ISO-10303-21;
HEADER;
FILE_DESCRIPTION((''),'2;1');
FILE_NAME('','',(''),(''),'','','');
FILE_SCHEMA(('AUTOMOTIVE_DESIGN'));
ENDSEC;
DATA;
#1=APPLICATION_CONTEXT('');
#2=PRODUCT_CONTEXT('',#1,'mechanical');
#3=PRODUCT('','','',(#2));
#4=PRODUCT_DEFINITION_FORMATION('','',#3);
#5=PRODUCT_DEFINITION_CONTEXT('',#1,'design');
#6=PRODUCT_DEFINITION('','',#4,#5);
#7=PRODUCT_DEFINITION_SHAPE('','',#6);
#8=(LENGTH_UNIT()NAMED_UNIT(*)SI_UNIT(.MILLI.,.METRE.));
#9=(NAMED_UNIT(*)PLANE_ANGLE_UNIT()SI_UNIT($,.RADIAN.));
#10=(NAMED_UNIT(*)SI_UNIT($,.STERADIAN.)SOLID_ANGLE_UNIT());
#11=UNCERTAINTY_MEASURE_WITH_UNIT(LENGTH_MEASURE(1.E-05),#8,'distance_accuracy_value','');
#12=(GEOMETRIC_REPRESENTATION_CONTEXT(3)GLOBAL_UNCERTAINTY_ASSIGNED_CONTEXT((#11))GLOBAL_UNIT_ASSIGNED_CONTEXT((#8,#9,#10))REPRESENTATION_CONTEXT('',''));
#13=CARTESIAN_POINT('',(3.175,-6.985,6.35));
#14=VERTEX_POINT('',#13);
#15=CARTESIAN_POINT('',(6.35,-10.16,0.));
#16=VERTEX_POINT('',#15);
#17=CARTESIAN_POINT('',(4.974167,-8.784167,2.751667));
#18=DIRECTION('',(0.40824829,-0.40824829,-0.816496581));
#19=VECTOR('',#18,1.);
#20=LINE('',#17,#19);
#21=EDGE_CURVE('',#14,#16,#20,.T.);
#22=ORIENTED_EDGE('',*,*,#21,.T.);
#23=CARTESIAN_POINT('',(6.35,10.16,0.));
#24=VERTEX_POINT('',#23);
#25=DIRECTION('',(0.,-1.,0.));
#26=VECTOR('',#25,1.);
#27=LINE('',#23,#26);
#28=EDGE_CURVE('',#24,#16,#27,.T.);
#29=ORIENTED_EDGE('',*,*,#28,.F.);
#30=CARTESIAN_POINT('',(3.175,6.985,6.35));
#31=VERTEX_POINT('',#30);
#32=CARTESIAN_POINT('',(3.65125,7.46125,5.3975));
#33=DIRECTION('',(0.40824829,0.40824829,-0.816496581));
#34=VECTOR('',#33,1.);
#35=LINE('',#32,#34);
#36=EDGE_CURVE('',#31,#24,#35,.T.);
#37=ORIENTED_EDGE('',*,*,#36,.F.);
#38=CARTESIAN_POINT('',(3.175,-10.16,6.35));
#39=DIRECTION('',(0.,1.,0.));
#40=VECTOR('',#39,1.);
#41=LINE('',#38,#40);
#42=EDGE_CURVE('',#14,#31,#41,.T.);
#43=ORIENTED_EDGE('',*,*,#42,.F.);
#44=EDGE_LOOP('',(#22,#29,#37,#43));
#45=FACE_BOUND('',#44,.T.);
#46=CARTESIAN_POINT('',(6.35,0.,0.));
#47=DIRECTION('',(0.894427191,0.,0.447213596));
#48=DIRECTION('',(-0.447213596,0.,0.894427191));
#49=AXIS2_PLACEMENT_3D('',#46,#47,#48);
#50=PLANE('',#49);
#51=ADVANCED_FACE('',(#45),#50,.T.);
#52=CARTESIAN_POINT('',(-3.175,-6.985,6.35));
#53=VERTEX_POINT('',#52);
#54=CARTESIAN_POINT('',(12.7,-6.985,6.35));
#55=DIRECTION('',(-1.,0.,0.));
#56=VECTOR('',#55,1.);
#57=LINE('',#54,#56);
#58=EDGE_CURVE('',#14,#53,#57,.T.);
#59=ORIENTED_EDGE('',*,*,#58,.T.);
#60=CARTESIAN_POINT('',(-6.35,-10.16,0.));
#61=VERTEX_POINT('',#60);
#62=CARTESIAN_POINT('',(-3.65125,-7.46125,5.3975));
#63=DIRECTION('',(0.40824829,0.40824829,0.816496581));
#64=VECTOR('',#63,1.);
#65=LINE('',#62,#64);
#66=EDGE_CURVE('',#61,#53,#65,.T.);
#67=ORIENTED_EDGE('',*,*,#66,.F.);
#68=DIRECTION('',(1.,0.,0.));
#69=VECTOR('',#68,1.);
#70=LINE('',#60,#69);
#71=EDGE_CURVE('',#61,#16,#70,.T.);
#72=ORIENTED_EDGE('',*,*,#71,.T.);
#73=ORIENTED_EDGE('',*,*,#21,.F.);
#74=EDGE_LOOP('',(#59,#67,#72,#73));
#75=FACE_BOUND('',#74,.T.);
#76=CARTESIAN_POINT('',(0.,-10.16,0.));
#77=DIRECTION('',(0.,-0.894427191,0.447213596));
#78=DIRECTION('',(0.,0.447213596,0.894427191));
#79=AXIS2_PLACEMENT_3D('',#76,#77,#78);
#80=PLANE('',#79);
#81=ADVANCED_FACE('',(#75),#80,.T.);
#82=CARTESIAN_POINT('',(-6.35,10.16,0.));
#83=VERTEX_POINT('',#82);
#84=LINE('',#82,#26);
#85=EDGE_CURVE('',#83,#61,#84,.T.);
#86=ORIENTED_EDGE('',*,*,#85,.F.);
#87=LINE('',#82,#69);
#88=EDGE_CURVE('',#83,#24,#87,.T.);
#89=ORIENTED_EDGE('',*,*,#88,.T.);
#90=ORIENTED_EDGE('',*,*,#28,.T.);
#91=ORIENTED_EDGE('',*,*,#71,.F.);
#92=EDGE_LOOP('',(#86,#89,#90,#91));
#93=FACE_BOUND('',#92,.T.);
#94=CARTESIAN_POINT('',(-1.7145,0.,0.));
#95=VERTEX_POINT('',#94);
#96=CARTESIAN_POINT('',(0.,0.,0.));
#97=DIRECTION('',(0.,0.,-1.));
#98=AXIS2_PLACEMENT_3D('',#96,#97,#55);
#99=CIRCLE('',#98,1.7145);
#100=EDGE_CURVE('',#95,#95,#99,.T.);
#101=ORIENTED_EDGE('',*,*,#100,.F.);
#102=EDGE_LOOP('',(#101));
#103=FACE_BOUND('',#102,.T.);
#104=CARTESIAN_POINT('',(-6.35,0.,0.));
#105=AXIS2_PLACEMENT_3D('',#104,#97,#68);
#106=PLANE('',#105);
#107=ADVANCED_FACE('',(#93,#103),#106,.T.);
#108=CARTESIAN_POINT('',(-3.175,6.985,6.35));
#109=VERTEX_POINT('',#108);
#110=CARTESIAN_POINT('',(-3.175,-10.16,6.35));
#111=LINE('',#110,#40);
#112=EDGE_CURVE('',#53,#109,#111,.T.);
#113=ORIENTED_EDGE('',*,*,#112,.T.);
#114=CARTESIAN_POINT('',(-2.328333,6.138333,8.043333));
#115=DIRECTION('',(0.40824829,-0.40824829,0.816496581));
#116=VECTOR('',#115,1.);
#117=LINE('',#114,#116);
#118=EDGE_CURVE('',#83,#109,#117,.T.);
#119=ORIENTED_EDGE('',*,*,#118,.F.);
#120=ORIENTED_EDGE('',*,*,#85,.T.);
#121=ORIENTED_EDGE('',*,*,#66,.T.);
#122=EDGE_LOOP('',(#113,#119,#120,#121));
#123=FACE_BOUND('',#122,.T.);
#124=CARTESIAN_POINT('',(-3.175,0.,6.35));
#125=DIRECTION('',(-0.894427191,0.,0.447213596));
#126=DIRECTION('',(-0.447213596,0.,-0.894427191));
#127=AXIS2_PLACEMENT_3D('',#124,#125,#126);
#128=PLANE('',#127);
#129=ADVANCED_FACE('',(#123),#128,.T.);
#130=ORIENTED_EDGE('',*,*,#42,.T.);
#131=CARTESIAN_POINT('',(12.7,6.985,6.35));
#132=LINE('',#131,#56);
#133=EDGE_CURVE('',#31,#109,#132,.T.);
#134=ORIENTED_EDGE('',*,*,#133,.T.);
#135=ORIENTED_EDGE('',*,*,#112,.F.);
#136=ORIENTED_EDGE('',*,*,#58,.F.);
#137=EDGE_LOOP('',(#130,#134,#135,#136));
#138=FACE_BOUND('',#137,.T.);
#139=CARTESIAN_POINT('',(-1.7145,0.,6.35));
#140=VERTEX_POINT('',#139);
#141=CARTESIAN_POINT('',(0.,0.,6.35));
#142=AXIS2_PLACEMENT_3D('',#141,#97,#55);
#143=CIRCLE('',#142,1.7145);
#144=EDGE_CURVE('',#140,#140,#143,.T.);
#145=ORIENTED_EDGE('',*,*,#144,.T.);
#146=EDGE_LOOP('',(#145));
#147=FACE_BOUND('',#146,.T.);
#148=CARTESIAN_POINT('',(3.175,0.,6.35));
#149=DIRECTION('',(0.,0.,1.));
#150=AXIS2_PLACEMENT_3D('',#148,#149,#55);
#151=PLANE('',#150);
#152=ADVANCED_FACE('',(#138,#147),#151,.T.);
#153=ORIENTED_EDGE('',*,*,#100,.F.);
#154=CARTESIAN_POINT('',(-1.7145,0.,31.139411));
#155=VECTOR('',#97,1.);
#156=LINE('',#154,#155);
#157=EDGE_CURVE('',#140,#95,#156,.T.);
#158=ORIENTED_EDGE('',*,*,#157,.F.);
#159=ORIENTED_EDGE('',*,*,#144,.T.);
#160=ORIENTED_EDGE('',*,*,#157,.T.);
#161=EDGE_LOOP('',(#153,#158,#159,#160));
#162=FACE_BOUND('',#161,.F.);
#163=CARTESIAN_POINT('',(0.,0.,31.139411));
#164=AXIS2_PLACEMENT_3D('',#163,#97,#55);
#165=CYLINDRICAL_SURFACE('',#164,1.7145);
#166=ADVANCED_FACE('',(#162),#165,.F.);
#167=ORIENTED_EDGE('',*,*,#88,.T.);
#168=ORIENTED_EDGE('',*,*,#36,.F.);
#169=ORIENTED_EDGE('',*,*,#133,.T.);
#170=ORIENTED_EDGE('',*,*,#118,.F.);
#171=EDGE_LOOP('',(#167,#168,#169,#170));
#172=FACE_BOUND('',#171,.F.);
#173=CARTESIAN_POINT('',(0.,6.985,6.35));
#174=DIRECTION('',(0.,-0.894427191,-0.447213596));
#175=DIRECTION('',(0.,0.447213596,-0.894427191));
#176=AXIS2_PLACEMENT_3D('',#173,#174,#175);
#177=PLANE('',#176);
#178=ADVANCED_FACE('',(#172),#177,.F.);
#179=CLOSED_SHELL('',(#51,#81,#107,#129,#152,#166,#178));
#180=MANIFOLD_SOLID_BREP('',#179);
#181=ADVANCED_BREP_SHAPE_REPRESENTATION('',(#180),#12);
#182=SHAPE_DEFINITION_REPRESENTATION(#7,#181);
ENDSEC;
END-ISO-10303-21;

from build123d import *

# Parameters (mm, degrees)
F1_DEPTH = 10.16
F3_DEPTH = 12.7
F5_D     = 3.429


with BuildPart() as f1:
    # F0 (on Front) → F1 (new body, symmetric)
    with BuildSketch(Plane.XZ):
        Polygon((0, 6.35), (-3.175, 6.35), (-6.35, 0), (0, 0), (6.35, 0), (3.175, 6.35), align=None)
    extrude(amount=F1_DEPTH, both=True)

    # F2 (on Right) → F3 (cut, symmetric)
    with BuildSketch(Plane.YZ):
        Polygon((-10.16, 6.35), (-10.16, 0), (-6.985, 6.35), align=None)
        Polygon((6.985, 6.35), (10.16, 0), (10.16, 6.35), align=None)
    extrude(amount=F3_DEPTH, both=True, mode=Mode.SUBTRACT)

    # F5 (through all)
    with Locations(Plane.XY.offset(6.35)):
        with Locations((0, 0)):
            Hole(F5_D / 2)


solid = f1.part
